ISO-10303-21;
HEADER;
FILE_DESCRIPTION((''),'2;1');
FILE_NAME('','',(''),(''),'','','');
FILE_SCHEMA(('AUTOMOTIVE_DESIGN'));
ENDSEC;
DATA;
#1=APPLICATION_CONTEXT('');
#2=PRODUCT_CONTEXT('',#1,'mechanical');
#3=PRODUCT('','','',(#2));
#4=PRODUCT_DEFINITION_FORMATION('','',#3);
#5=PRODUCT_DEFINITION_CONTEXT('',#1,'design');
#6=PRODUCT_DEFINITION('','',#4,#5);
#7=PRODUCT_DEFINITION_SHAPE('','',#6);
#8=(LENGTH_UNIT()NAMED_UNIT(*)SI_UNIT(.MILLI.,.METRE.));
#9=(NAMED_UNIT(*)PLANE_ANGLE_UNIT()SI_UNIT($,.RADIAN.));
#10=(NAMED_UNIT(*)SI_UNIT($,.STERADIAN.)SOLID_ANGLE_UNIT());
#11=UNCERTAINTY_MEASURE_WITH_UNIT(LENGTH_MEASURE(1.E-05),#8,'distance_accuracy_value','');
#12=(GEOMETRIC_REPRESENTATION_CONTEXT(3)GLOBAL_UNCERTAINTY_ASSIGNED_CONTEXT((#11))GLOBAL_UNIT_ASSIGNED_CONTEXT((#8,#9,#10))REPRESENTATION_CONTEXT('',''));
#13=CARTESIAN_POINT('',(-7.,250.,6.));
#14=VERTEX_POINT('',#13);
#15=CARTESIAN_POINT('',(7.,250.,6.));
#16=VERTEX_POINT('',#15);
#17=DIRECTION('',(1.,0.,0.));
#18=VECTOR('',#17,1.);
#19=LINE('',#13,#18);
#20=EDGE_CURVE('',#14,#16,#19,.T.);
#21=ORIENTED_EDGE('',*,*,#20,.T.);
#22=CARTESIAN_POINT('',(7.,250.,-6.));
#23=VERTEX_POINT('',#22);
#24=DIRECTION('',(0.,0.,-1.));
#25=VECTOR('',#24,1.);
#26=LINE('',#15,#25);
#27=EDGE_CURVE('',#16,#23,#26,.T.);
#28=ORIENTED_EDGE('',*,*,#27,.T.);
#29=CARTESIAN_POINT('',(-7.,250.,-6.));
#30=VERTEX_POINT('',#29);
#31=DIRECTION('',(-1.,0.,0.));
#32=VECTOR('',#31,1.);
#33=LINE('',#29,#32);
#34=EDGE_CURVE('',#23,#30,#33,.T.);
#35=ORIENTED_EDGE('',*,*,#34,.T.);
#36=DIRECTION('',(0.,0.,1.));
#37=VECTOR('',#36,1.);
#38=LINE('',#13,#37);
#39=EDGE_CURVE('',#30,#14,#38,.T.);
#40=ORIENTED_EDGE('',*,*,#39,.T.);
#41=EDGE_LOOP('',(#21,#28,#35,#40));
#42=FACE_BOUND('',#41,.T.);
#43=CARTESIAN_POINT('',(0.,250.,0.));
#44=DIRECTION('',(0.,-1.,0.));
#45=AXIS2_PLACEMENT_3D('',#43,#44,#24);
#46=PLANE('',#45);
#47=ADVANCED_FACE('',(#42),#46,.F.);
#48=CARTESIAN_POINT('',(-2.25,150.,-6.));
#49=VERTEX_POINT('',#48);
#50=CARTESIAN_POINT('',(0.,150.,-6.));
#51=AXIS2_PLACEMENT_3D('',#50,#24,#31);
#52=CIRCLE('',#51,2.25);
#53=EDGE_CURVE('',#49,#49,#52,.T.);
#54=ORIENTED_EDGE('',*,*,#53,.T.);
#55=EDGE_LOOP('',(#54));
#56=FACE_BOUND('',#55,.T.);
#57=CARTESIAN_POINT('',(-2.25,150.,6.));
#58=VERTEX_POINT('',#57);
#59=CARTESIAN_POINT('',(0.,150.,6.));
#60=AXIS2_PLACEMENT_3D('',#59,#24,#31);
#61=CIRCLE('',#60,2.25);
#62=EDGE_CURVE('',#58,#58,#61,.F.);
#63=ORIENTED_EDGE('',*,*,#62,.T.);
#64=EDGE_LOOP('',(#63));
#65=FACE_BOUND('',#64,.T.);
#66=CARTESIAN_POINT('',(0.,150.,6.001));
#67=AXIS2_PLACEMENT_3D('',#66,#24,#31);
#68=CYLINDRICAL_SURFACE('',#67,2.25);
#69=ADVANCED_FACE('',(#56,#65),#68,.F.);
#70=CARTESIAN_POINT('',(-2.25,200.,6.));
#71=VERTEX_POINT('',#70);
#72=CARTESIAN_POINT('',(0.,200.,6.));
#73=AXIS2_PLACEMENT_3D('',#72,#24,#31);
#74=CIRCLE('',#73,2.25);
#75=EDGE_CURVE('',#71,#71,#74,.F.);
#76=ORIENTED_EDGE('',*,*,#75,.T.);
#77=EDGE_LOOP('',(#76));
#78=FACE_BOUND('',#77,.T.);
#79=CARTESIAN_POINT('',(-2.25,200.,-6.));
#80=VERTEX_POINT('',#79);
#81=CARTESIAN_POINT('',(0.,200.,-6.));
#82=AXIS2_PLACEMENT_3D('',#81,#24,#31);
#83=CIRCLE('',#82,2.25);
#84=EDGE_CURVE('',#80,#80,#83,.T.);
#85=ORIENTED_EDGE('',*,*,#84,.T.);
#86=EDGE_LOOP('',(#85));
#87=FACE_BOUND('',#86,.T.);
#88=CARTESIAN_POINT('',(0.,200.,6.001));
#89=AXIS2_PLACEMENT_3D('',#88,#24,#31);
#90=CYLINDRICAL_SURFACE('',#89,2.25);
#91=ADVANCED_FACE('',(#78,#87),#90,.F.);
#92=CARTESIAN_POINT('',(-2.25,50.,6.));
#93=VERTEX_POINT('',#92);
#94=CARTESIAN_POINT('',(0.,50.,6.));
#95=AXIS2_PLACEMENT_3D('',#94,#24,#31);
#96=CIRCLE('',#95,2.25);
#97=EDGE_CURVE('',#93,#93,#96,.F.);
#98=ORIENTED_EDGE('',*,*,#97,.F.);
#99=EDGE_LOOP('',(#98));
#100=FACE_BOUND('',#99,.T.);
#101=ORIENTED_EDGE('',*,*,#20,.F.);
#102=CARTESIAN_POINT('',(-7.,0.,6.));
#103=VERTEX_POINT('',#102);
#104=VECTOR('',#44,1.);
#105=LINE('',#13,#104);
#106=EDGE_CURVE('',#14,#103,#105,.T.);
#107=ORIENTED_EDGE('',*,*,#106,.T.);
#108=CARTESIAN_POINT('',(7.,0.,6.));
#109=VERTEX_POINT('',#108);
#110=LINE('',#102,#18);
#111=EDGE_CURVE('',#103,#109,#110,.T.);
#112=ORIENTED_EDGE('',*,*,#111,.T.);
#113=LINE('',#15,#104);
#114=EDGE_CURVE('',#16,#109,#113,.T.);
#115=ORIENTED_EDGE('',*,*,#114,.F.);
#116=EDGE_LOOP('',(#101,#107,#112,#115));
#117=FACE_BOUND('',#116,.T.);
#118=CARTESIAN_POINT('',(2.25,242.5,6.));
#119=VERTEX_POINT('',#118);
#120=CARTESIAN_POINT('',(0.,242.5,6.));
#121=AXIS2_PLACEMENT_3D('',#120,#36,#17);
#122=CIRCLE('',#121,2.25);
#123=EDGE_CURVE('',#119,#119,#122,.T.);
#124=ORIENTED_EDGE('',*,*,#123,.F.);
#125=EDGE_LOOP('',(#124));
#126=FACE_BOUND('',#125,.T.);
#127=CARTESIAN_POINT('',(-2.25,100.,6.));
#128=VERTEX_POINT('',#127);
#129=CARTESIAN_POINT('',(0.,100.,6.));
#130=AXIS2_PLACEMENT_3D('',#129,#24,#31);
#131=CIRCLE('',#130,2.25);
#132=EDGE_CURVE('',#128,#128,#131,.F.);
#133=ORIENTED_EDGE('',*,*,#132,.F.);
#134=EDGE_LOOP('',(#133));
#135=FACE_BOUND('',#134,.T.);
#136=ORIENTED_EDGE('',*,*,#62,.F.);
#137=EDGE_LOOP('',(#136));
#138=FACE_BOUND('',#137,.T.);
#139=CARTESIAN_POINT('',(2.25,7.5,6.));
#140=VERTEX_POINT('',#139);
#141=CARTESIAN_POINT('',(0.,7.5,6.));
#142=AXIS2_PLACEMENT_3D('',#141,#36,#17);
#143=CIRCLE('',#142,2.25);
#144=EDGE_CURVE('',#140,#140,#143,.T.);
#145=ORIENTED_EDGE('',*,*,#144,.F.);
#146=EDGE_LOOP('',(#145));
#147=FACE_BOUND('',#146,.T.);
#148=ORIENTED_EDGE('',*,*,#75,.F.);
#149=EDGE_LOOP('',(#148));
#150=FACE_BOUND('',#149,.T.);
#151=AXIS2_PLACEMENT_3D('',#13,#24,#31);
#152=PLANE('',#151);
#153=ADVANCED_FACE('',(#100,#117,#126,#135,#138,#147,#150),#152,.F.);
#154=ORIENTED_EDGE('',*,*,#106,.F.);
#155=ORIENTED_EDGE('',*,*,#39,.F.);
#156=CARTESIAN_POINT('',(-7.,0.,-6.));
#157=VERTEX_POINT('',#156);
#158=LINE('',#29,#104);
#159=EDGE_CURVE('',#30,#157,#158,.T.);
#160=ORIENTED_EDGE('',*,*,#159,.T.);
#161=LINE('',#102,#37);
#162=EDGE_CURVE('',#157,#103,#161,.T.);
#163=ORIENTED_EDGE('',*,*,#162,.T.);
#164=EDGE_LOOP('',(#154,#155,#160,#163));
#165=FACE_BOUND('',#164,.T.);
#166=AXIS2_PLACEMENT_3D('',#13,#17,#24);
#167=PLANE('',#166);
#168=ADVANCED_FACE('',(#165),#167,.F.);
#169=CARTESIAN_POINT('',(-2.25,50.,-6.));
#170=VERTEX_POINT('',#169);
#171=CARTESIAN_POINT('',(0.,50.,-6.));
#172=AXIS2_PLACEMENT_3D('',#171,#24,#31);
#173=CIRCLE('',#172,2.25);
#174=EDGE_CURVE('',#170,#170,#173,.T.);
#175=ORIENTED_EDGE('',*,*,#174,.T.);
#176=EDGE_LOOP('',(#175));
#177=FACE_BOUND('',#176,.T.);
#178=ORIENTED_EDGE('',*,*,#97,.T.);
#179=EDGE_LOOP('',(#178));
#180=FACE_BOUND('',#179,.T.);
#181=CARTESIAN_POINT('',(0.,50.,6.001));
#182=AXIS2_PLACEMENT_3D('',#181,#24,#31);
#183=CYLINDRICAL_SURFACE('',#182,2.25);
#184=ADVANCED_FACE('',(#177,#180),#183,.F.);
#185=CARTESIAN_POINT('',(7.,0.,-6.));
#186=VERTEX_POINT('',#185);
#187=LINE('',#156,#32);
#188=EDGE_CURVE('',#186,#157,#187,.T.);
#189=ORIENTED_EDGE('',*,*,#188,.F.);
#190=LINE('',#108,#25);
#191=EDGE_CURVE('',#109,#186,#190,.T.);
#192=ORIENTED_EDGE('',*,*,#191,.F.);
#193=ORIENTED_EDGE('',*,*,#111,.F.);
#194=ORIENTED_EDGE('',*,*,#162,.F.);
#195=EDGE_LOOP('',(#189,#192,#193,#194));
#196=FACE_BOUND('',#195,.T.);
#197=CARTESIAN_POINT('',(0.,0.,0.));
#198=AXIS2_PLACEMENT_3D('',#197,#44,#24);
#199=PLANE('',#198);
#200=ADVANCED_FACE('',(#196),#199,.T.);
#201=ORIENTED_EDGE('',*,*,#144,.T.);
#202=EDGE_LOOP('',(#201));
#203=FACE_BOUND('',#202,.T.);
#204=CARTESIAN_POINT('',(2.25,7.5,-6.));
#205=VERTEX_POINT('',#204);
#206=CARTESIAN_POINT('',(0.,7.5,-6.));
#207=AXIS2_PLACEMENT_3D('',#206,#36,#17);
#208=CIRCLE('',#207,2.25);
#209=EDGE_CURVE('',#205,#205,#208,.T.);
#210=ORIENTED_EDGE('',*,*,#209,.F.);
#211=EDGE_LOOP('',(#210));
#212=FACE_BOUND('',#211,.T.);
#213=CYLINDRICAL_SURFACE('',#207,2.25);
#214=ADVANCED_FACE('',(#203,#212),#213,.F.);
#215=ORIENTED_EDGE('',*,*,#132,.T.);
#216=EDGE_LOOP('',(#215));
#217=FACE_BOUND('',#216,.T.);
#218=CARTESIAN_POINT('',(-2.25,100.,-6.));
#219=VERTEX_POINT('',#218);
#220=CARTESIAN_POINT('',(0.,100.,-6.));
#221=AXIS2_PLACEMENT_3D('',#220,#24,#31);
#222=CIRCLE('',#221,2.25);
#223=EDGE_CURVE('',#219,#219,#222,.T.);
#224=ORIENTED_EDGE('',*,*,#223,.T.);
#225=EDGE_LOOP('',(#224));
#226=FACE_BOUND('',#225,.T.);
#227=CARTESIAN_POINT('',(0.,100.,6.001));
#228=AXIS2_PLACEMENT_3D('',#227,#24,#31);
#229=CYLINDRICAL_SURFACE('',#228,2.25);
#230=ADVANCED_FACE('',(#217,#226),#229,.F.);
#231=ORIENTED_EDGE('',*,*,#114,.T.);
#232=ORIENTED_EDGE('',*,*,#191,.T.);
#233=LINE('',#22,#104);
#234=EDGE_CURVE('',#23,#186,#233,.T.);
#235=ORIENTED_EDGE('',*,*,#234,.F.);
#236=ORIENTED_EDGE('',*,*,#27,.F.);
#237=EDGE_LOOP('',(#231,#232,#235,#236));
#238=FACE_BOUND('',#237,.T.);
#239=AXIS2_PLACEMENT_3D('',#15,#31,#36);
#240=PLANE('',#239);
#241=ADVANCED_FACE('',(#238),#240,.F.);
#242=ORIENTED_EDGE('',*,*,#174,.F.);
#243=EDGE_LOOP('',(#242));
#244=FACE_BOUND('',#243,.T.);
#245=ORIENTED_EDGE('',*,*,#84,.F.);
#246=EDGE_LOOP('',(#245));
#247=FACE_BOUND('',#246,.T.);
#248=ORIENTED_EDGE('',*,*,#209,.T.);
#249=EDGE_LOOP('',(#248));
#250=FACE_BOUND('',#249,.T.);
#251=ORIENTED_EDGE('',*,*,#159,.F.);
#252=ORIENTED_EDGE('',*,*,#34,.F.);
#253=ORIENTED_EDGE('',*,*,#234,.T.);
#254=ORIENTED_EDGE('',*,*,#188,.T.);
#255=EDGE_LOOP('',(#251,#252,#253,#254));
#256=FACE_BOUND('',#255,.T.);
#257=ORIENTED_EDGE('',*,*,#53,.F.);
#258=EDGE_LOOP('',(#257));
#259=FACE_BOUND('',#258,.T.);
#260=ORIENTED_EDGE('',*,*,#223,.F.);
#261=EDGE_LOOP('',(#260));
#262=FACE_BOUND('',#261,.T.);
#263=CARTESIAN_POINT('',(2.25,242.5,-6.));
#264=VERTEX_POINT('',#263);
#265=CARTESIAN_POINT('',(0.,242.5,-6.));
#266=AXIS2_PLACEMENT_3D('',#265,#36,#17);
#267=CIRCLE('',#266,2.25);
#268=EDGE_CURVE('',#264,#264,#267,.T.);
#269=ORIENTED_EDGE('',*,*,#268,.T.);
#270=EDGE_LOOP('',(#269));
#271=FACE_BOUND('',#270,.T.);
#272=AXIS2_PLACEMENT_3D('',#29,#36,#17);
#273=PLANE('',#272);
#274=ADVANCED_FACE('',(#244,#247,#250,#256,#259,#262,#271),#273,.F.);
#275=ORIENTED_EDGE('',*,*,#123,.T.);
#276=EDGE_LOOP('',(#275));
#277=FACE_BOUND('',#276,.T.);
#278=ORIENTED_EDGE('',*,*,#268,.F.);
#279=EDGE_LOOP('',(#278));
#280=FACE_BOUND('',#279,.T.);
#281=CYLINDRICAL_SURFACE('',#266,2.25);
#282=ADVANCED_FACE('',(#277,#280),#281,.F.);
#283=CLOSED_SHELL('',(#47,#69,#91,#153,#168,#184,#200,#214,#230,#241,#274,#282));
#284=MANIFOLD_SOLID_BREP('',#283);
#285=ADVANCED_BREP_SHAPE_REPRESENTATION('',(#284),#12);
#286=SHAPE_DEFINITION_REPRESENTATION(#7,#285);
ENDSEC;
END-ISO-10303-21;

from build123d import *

# Parameters (mm, degrees)
SKETCH1_W           = 14
SKETCH1_H           = 12
BOSS_EXTRUDE1_DEPTH = 250
SKETCH2_R           = 2.25
CUT_EXTRUDE1_DEPTH  = 6
CUT_EXTRUDE2_REACH  = 252.386
SKETCH3_R           = 2.25


with BuildPart() as part:
    # Sketch1 → Boss-Extrude1 (new body)
    with BuildSketch(Plane(origin=(0, 0, 0), x_dir=(1, 0, 0), z_dir=(0, 1, 0))):
        Rectangle(SKETCH1_W, SKETCH1_H)
    extrude(amount=BOSS_EXTRUDE1_DEPTH)

    # Sketch2 → Cut-Extrude1 (cut, symmetric)
    with BuildSketch(Plane.XY):
        with Locations((0, 7.5)):
            Circle(SKETCH2_R)
        with Locations((0, 242.5)):
            Circle(SKETCH2_R)
    extrude(amount=CUT_EXTRUDE1_DEPTH, both=True, mode=Mode.SUBTRACT)

    # Sketch3 → Cut-Extrude2 (cut, up to next)
    with BuildSketch(Plane(origin=(0, 0, -6), x_dir=(-1, 0, 0), z_dir=(0, 0, -1)), mode=Mode.PRIVATE) as cut_extrude2_sk1:
        with Locations((0, 200)):
            Circle(SKETCH3_R)
    cut_extrude2_tool1 = extrude(cut_extrude2_sk1.sketch, amount=-CUT_EXTRUDE2_REACH, mode=Mode.PRIVATE) & part.part
    # Sketch3 → Cut-Extrude2 (cut, up to next)
    with BuildSketch(Plane(origin=(0, 0, -6), x_dir=(-1, 0, 0), z_dir=(0, 0, -1)), mode=Mode.PRIVATE) as cut_extrude2_sk2:
        with Locations((0, 150)):
            Circle(SKETCH3_R)
    cut_extrude2_tool2 = extrude(cut_extrude2_sk2.sketch, amount=-CUT_EXTRUDE2_REACH, mode=Mode.PRIVATE) & part.part
    # Sketch3 → Cut-Extrude2 (cut, up to next)
    with BuildSketch(Plane(origin=(0, 0, -6), x_dir=(-1, 0, 0), z_dir=(0, 0, -1)), mode=Mode.PRIVATE) as cut_extrude2_sk3:
        with Locations((0, 100)):
            Circle(SKETCH3_R)
    cut_extrude2_tool3 = extrude(cut_extrude2_sk3.sketch, amount=-CUT_EXTRUDE2_REACH, mode=Mode.PRIVATE) & part.part
    # Sketch3 → Cut-Extrude2 (cut, up to next)
    with BuildSketch(Plane(origin=(0, 0, -6), x_dir=(-1, 0, 0), z_dir=(0, 0, -1)), mode=Mode.PRIVATE) as cut_extrude2_sk4:
        with Locations((0, 50)):
            Circle(SKETCH3_R)
    cut_extrude2_tool4 = extrude(cut_extrude2_sk4.sketch, amount=-CUT_EXTRUDE2_REACH, mode=Mode.PRIVATE) & part.part
    add(cut_extrude2_tool1.solids().sort_by_distance((0, 200, -6))[0], mode=Mode.SUBTRACT)
    add(cut_extrude2_tool2.solids().sort_by_distance((0, 150, -6))[0], mode=Mode.SUBTRACT)
    add(cut_extrude2_tool3.solids().sort_by_distance((0, 100, -6))[0], mode=Mode.SUBTRACT)
    add(cut_extrude2_tool4.solids().sort_by_distance((0, 50, -6))[0], mode=Mode.SUBTRACT)


solid = part.part
